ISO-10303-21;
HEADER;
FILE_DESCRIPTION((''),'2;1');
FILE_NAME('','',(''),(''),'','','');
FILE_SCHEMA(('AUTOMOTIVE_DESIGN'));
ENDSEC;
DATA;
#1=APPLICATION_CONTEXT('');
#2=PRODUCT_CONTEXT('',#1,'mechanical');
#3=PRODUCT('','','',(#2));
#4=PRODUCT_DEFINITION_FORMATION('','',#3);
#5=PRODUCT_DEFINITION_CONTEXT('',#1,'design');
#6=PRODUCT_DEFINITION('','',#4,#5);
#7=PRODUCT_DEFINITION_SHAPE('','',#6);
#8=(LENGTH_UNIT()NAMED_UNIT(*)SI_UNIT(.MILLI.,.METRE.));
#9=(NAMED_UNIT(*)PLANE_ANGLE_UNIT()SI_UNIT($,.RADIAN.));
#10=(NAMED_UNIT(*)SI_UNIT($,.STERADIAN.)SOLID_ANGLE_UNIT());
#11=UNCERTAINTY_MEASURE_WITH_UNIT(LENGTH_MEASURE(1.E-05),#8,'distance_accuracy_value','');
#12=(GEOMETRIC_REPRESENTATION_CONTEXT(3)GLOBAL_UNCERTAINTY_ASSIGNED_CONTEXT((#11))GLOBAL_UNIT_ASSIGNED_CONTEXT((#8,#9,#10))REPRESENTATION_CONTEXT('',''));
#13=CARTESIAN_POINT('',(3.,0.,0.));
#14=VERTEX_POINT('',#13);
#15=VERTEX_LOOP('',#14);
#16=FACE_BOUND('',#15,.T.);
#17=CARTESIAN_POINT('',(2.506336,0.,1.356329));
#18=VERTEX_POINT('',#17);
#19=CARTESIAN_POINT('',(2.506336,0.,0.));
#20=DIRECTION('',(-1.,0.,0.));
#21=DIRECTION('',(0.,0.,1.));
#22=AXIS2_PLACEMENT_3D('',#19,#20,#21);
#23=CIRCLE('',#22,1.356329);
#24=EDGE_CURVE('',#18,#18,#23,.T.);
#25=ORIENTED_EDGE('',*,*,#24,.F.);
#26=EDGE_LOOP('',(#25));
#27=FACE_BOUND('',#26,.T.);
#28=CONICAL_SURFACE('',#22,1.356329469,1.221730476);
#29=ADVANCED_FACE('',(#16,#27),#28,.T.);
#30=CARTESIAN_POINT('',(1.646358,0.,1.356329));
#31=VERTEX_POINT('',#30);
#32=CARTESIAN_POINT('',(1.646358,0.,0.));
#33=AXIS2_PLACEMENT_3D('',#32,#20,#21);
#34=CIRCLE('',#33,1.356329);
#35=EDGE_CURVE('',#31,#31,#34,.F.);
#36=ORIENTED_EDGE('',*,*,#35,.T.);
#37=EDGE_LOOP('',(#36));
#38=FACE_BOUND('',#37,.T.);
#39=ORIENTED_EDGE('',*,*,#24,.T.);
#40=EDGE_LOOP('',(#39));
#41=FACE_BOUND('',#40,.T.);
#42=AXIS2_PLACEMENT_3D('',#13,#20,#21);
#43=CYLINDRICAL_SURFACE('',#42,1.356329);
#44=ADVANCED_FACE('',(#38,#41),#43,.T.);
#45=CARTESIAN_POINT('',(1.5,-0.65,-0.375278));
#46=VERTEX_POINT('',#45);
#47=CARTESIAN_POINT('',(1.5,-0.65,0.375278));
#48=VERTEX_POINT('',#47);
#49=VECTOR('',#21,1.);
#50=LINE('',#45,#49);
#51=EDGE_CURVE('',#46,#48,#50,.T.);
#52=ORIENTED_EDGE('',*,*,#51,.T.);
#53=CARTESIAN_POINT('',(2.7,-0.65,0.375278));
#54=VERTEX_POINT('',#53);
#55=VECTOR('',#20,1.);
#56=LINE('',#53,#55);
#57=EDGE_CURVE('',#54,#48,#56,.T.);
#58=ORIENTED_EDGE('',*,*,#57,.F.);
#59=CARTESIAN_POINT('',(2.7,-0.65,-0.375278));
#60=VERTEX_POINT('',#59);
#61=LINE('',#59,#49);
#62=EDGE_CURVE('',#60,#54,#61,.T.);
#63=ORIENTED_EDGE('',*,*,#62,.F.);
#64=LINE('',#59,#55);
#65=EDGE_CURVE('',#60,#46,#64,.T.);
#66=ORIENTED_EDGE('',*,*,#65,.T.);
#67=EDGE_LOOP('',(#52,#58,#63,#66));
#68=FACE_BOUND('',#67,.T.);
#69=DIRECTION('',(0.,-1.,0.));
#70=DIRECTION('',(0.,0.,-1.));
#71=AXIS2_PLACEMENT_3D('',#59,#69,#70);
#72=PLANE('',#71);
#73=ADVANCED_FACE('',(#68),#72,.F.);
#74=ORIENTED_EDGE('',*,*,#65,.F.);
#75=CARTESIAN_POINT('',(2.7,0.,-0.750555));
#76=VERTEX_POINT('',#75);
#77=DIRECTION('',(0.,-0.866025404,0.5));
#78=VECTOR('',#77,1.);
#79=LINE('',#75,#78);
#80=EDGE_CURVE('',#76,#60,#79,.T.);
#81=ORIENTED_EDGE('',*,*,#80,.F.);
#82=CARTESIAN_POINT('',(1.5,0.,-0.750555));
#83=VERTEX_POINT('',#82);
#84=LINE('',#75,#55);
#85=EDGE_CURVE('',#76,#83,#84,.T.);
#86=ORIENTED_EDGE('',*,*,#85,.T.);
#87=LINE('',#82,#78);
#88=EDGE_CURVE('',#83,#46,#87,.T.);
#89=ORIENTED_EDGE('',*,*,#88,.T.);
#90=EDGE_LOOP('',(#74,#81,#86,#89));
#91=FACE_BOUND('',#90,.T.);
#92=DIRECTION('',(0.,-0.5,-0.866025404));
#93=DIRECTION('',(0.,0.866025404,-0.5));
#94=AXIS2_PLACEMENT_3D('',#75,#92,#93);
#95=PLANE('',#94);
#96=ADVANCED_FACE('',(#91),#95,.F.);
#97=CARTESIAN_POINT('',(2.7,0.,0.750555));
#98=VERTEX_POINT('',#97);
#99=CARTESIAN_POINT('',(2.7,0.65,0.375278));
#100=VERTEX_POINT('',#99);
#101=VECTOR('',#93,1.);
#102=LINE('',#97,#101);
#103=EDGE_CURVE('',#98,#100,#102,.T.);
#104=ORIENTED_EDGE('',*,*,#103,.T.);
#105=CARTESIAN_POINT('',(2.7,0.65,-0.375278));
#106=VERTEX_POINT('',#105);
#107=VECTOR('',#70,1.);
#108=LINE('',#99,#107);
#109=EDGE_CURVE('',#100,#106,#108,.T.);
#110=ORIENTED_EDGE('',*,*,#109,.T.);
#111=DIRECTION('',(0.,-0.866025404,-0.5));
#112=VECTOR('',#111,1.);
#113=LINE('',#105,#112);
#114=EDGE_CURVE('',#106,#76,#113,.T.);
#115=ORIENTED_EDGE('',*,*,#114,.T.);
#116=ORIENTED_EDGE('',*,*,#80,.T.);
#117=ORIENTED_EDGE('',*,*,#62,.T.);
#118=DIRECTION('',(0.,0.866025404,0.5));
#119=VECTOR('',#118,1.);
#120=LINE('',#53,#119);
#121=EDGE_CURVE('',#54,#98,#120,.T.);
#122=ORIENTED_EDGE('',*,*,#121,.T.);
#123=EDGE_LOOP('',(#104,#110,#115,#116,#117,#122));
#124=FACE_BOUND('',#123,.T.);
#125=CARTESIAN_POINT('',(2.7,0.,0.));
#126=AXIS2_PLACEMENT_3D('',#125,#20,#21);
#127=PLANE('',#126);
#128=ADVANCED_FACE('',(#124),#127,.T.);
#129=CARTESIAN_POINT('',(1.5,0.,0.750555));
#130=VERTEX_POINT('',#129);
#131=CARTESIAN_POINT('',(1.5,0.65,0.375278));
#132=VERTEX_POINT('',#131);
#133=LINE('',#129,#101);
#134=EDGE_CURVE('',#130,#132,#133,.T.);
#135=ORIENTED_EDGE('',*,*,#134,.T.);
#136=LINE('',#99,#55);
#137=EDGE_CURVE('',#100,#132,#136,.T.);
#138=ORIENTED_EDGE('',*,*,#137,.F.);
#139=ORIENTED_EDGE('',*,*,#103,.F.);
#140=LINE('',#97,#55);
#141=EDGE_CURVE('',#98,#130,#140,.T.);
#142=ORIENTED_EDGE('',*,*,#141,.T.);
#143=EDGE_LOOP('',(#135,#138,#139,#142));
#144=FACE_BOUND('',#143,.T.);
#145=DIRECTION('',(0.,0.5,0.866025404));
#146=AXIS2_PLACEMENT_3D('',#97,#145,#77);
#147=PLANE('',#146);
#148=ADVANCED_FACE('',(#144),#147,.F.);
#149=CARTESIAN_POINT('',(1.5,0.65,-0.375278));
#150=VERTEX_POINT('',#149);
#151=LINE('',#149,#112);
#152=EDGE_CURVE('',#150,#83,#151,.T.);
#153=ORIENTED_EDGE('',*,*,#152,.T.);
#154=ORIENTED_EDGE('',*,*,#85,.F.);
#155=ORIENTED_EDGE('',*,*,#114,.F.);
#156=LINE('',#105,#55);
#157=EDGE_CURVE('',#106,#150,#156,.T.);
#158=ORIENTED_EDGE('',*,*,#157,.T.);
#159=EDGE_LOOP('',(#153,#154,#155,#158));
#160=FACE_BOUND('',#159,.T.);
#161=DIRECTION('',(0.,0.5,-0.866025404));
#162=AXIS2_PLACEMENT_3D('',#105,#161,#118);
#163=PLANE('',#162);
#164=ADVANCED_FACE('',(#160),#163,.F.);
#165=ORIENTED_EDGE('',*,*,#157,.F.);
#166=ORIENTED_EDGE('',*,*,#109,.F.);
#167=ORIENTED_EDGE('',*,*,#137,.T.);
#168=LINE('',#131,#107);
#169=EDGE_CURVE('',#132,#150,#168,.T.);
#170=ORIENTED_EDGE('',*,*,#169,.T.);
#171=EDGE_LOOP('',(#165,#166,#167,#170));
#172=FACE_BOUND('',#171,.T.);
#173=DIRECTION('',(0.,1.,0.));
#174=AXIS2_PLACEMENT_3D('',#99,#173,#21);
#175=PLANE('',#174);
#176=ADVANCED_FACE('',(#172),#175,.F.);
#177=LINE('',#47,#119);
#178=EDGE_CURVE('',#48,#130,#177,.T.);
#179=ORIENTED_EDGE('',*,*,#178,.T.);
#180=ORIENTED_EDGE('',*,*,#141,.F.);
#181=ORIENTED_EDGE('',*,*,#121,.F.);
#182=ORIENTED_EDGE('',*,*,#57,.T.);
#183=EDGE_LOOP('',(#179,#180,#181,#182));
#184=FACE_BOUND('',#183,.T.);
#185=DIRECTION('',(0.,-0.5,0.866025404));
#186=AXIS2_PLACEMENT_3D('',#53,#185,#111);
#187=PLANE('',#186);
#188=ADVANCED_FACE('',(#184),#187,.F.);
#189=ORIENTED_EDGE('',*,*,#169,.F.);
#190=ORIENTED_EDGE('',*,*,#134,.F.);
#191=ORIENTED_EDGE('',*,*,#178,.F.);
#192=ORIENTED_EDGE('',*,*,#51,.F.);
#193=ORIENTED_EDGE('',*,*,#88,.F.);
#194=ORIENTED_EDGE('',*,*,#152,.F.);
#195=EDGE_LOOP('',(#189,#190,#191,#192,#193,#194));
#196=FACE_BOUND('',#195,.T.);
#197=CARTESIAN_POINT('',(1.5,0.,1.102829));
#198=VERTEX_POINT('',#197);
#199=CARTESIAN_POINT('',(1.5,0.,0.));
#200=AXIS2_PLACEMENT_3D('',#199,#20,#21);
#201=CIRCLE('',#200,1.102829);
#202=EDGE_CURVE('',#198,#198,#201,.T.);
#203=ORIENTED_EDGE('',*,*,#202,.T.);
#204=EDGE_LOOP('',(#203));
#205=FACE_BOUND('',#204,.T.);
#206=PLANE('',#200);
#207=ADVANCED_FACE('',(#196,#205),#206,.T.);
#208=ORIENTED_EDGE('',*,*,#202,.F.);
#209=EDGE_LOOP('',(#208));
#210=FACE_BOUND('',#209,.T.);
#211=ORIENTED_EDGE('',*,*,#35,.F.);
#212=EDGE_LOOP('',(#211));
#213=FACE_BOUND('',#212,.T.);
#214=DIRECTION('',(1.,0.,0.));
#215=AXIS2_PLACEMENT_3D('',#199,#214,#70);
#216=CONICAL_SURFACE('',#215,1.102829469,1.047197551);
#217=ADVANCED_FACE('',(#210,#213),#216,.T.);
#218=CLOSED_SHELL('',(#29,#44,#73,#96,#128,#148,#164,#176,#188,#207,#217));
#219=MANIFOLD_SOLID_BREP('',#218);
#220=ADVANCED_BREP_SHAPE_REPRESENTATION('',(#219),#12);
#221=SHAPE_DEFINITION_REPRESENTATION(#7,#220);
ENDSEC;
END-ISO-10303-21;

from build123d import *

# Parameters (mm, degrees)
CORTE_EXTRUS_O1_DEPTH = 1.2
CHANFRO1_SIZE         = 0.2535
CHANFRO1_SIZE2        = 0.146358293


with BuildPart() as part:
    # Esboço1 → Revolução1 (revolve)
    with BuildSketch(Plane(origin=(0, 0, 0), x_dir=(-1, 0, 0), z_dir=(0, 0, -1))):
        Polygon((-2.506336445, 1.356329469), (-3, 0), (-1.5, 0), (-1.5, 1.356329469), align=None)
    revolve(axis=Axis((3, 0, 0), (-1, 0, 0)))

    # Esboço2 → Corte-extrusão1 (cut)
    with BuildSketch(Plane.ZY.offset(-1.5)):
        Polygon((0.375277675, -0.65), (0.75055535, 0), (0.375277675, 0.65), (-0.375277675, 0.65), (-0.75055535, 0), (-0.375277675, -0.65), align=None)
    extrude(amount=-CORTE_EXTRUS_O1_DEPTH, mode=Mode.SUBTRACT)

    # Chanfro1
    chanfro1_edges = [part.edges().sort_by_distance(p)[0] for p in [
        (1.5, -1.356329469, 0),
    ]]
    chanfro1_side = [part.faces().sort_by_distance(p)[0] for p in [
        (1.5, -1.317966678, 0),
    ]]
    chamfer(chanfro1_edges, length=CHANFRO1_SIZE, length2=CHANFRO1_SIZE2, reference=chanfro1_side[0])


solid = part.part
